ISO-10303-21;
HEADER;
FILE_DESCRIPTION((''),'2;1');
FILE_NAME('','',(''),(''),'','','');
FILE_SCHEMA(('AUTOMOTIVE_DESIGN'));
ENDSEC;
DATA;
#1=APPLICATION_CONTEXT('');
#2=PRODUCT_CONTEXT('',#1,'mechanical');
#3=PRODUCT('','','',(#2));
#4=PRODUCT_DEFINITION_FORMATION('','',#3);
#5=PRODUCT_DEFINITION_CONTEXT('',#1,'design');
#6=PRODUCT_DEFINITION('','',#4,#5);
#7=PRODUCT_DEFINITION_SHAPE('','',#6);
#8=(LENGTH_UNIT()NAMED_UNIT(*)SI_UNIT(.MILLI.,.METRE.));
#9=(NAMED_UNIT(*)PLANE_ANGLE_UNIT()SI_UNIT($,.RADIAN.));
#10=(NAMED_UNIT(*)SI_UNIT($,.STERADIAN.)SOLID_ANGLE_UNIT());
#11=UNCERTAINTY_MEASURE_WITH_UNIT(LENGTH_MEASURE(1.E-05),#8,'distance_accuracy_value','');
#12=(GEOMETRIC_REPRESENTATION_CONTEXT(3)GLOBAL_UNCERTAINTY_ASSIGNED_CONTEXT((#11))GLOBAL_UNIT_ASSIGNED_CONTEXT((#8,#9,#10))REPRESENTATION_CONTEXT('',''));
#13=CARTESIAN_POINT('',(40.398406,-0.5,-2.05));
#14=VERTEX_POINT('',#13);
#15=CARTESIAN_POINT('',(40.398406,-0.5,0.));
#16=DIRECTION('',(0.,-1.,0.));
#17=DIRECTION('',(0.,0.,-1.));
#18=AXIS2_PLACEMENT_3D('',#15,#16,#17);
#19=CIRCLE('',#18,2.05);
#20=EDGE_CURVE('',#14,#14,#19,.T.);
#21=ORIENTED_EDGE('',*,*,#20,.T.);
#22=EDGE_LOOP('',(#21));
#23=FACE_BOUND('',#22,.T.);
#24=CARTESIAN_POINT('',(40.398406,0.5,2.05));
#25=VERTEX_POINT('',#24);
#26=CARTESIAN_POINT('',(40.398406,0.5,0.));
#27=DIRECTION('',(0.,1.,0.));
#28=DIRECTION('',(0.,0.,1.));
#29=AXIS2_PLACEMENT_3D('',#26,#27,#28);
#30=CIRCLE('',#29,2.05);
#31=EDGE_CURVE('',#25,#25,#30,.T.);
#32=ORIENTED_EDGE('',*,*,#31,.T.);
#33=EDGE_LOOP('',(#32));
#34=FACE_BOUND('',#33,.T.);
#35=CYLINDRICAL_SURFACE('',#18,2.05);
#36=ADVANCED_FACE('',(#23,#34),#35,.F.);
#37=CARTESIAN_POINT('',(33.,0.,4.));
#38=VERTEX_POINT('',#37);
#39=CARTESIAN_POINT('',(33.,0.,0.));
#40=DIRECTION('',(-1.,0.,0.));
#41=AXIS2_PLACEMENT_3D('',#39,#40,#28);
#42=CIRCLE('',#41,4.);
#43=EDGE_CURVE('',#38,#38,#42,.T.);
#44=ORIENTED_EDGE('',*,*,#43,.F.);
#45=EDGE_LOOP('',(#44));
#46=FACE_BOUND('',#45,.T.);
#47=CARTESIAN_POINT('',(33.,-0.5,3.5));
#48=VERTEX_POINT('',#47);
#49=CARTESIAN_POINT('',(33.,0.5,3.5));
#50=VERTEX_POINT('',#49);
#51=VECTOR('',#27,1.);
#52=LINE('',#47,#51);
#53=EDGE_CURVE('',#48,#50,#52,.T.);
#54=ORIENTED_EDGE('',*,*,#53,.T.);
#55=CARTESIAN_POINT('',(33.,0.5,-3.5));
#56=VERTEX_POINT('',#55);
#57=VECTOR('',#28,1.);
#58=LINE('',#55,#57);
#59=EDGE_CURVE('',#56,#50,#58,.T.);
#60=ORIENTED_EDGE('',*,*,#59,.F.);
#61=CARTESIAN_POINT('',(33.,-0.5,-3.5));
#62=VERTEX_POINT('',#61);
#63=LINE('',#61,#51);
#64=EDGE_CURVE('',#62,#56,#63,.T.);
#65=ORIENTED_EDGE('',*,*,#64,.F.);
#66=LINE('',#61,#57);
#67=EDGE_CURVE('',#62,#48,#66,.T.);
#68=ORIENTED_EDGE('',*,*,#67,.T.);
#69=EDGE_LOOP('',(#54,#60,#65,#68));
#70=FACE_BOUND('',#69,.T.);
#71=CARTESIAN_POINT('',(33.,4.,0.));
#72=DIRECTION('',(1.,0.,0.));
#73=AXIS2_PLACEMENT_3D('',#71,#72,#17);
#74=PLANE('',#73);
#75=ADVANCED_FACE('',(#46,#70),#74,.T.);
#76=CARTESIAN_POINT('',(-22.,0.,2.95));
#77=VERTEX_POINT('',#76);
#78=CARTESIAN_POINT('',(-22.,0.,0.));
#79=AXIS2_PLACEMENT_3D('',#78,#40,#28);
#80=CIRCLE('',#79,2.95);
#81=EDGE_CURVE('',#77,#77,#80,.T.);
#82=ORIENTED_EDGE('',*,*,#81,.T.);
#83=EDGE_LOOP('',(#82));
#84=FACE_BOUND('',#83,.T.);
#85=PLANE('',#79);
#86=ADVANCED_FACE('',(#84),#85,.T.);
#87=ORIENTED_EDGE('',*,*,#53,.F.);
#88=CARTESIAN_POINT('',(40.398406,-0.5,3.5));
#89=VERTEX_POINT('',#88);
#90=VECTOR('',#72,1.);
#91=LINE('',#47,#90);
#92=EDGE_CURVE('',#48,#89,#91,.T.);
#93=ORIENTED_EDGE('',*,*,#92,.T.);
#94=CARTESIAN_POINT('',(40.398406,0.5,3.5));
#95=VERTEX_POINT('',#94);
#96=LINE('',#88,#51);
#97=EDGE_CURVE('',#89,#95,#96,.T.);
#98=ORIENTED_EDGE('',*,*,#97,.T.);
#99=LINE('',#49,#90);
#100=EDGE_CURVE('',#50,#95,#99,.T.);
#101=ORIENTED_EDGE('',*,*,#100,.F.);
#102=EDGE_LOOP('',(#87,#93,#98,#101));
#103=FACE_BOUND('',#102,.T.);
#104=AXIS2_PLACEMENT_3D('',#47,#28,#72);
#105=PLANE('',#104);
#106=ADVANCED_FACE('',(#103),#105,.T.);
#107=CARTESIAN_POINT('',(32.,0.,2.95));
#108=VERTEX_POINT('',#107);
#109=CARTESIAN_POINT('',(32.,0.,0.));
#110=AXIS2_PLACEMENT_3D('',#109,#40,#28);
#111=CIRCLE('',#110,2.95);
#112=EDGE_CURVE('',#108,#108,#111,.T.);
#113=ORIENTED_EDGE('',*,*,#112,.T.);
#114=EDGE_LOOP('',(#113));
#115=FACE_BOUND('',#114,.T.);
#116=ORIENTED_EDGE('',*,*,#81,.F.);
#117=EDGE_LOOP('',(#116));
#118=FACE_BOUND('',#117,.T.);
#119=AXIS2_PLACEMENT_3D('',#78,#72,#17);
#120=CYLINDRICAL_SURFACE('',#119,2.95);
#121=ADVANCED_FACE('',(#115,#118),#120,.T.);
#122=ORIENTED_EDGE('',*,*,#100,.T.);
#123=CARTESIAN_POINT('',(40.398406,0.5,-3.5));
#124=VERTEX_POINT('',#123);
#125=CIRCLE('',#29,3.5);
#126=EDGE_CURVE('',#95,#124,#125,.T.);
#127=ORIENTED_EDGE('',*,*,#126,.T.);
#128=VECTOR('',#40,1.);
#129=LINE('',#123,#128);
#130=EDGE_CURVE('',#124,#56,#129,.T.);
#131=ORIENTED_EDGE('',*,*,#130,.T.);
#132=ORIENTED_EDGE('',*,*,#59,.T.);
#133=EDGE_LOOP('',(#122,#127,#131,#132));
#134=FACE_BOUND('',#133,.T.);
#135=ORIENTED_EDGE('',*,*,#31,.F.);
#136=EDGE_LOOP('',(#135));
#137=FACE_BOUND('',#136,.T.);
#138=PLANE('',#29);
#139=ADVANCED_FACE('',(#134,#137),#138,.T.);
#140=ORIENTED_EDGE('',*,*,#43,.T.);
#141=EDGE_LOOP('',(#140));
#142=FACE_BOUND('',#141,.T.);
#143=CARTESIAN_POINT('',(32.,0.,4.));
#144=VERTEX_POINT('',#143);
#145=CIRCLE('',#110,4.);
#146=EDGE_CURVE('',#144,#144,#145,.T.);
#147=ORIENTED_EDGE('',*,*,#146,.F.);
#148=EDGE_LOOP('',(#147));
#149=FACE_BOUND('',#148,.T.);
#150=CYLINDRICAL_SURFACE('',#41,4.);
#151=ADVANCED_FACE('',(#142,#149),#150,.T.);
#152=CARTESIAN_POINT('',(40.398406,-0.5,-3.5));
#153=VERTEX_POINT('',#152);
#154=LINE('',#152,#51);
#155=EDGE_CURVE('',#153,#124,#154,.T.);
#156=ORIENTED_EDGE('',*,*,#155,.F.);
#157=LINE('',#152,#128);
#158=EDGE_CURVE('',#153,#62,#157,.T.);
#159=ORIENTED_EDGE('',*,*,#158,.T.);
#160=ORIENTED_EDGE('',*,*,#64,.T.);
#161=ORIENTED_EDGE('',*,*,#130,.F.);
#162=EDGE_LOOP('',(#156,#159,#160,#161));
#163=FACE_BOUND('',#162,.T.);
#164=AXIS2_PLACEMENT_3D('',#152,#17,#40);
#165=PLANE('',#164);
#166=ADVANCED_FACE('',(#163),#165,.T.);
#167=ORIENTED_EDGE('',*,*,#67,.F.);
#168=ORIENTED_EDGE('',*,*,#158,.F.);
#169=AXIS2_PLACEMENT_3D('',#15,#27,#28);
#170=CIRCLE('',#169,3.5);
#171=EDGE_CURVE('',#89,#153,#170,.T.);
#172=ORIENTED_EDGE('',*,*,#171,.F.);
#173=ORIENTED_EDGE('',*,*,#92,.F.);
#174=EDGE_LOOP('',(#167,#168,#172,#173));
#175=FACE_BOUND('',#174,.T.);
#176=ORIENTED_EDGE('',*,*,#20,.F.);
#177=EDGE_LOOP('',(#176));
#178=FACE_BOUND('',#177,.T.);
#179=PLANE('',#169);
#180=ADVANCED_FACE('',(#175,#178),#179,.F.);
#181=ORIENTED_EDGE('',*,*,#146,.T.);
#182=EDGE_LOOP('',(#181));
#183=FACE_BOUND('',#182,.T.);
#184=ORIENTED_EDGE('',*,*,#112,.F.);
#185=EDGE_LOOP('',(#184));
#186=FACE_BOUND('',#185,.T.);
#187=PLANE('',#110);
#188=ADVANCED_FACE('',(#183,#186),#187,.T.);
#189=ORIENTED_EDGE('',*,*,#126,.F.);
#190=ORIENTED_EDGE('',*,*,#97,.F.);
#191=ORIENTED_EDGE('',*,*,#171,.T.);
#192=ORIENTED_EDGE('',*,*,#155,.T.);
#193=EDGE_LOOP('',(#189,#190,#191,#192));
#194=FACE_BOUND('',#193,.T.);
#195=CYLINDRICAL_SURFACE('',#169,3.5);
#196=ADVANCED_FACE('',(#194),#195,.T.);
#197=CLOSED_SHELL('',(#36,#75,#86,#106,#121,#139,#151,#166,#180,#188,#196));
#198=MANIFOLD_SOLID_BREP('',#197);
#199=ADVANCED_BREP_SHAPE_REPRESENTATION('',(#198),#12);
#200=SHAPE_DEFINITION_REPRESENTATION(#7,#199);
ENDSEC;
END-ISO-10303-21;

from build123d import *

# Parameters (mm, degrees)
SKETCH1_W                  = 1
SKETCH1_H                  = 4
BOSS_EXTRUDE1_DEPTH        = 1
SKETCH3_R                  = 2.95
BOSS_EXTRUDE2_DEPTH        = 54
F_4_1_4_1_DIAMETER_HOLE1_D = 4.1


with BuildPart() as part:
    # Sketch1 → Revolve1 (revolve)
    with BuildSketch(Plane(origin=(0, 0, 0), x_dir=(-1, 0, 0), z_dir=(0, 0, -1))):
        with Locations((-32.5, 2)):
            Rectangle(SKETCH1_W, SKETCH1_H)
    revolve(axis=Axis((33, 0, 0), (-1, 0, 0)))

    # Sketch2 → Boss-Extrude1 (add)
    with BuildSketch(Plane(origin=(0, 0.5, 0), x_dir=(1, 0, 0), z_dir=(0, 1, 0))):
        with BuildLine():
            Line((33, 3.5), (33, -3.5))
            Line((33, -3.5), (40.398405894, -3.5))
            ThreePointArc((40.398405894, -3.5), (43.898405894, 0), (40.398405894, 3.5))
            Line((40.398405894, 3.5), (33, 3.5))
        make_face()
    extrude(amount=-BOSS_EXTRUDE1_DEPTH)

    # Sketch3 → Boss-Extrude2 (add)
    with BuildSketch(Plane.ZY.offset(-32)):
        Circle(SKETCH3_R)
    extrude(amount=BOSS_EXTRUDE2_DEPTH)

    # Ø4.1 (4.1) Diameter Hole1 (through all)
    with Locations(Plane(origin=(0, -0.5, 0), x_dir=(-1, 0, 0), z_dir=(0, -1, 0))):
        with Locations((-40.398405894, 0)):
            Hole(F_4_1_4_1_DIAMETER_HOLE1_D / 2)


solid = part.part
